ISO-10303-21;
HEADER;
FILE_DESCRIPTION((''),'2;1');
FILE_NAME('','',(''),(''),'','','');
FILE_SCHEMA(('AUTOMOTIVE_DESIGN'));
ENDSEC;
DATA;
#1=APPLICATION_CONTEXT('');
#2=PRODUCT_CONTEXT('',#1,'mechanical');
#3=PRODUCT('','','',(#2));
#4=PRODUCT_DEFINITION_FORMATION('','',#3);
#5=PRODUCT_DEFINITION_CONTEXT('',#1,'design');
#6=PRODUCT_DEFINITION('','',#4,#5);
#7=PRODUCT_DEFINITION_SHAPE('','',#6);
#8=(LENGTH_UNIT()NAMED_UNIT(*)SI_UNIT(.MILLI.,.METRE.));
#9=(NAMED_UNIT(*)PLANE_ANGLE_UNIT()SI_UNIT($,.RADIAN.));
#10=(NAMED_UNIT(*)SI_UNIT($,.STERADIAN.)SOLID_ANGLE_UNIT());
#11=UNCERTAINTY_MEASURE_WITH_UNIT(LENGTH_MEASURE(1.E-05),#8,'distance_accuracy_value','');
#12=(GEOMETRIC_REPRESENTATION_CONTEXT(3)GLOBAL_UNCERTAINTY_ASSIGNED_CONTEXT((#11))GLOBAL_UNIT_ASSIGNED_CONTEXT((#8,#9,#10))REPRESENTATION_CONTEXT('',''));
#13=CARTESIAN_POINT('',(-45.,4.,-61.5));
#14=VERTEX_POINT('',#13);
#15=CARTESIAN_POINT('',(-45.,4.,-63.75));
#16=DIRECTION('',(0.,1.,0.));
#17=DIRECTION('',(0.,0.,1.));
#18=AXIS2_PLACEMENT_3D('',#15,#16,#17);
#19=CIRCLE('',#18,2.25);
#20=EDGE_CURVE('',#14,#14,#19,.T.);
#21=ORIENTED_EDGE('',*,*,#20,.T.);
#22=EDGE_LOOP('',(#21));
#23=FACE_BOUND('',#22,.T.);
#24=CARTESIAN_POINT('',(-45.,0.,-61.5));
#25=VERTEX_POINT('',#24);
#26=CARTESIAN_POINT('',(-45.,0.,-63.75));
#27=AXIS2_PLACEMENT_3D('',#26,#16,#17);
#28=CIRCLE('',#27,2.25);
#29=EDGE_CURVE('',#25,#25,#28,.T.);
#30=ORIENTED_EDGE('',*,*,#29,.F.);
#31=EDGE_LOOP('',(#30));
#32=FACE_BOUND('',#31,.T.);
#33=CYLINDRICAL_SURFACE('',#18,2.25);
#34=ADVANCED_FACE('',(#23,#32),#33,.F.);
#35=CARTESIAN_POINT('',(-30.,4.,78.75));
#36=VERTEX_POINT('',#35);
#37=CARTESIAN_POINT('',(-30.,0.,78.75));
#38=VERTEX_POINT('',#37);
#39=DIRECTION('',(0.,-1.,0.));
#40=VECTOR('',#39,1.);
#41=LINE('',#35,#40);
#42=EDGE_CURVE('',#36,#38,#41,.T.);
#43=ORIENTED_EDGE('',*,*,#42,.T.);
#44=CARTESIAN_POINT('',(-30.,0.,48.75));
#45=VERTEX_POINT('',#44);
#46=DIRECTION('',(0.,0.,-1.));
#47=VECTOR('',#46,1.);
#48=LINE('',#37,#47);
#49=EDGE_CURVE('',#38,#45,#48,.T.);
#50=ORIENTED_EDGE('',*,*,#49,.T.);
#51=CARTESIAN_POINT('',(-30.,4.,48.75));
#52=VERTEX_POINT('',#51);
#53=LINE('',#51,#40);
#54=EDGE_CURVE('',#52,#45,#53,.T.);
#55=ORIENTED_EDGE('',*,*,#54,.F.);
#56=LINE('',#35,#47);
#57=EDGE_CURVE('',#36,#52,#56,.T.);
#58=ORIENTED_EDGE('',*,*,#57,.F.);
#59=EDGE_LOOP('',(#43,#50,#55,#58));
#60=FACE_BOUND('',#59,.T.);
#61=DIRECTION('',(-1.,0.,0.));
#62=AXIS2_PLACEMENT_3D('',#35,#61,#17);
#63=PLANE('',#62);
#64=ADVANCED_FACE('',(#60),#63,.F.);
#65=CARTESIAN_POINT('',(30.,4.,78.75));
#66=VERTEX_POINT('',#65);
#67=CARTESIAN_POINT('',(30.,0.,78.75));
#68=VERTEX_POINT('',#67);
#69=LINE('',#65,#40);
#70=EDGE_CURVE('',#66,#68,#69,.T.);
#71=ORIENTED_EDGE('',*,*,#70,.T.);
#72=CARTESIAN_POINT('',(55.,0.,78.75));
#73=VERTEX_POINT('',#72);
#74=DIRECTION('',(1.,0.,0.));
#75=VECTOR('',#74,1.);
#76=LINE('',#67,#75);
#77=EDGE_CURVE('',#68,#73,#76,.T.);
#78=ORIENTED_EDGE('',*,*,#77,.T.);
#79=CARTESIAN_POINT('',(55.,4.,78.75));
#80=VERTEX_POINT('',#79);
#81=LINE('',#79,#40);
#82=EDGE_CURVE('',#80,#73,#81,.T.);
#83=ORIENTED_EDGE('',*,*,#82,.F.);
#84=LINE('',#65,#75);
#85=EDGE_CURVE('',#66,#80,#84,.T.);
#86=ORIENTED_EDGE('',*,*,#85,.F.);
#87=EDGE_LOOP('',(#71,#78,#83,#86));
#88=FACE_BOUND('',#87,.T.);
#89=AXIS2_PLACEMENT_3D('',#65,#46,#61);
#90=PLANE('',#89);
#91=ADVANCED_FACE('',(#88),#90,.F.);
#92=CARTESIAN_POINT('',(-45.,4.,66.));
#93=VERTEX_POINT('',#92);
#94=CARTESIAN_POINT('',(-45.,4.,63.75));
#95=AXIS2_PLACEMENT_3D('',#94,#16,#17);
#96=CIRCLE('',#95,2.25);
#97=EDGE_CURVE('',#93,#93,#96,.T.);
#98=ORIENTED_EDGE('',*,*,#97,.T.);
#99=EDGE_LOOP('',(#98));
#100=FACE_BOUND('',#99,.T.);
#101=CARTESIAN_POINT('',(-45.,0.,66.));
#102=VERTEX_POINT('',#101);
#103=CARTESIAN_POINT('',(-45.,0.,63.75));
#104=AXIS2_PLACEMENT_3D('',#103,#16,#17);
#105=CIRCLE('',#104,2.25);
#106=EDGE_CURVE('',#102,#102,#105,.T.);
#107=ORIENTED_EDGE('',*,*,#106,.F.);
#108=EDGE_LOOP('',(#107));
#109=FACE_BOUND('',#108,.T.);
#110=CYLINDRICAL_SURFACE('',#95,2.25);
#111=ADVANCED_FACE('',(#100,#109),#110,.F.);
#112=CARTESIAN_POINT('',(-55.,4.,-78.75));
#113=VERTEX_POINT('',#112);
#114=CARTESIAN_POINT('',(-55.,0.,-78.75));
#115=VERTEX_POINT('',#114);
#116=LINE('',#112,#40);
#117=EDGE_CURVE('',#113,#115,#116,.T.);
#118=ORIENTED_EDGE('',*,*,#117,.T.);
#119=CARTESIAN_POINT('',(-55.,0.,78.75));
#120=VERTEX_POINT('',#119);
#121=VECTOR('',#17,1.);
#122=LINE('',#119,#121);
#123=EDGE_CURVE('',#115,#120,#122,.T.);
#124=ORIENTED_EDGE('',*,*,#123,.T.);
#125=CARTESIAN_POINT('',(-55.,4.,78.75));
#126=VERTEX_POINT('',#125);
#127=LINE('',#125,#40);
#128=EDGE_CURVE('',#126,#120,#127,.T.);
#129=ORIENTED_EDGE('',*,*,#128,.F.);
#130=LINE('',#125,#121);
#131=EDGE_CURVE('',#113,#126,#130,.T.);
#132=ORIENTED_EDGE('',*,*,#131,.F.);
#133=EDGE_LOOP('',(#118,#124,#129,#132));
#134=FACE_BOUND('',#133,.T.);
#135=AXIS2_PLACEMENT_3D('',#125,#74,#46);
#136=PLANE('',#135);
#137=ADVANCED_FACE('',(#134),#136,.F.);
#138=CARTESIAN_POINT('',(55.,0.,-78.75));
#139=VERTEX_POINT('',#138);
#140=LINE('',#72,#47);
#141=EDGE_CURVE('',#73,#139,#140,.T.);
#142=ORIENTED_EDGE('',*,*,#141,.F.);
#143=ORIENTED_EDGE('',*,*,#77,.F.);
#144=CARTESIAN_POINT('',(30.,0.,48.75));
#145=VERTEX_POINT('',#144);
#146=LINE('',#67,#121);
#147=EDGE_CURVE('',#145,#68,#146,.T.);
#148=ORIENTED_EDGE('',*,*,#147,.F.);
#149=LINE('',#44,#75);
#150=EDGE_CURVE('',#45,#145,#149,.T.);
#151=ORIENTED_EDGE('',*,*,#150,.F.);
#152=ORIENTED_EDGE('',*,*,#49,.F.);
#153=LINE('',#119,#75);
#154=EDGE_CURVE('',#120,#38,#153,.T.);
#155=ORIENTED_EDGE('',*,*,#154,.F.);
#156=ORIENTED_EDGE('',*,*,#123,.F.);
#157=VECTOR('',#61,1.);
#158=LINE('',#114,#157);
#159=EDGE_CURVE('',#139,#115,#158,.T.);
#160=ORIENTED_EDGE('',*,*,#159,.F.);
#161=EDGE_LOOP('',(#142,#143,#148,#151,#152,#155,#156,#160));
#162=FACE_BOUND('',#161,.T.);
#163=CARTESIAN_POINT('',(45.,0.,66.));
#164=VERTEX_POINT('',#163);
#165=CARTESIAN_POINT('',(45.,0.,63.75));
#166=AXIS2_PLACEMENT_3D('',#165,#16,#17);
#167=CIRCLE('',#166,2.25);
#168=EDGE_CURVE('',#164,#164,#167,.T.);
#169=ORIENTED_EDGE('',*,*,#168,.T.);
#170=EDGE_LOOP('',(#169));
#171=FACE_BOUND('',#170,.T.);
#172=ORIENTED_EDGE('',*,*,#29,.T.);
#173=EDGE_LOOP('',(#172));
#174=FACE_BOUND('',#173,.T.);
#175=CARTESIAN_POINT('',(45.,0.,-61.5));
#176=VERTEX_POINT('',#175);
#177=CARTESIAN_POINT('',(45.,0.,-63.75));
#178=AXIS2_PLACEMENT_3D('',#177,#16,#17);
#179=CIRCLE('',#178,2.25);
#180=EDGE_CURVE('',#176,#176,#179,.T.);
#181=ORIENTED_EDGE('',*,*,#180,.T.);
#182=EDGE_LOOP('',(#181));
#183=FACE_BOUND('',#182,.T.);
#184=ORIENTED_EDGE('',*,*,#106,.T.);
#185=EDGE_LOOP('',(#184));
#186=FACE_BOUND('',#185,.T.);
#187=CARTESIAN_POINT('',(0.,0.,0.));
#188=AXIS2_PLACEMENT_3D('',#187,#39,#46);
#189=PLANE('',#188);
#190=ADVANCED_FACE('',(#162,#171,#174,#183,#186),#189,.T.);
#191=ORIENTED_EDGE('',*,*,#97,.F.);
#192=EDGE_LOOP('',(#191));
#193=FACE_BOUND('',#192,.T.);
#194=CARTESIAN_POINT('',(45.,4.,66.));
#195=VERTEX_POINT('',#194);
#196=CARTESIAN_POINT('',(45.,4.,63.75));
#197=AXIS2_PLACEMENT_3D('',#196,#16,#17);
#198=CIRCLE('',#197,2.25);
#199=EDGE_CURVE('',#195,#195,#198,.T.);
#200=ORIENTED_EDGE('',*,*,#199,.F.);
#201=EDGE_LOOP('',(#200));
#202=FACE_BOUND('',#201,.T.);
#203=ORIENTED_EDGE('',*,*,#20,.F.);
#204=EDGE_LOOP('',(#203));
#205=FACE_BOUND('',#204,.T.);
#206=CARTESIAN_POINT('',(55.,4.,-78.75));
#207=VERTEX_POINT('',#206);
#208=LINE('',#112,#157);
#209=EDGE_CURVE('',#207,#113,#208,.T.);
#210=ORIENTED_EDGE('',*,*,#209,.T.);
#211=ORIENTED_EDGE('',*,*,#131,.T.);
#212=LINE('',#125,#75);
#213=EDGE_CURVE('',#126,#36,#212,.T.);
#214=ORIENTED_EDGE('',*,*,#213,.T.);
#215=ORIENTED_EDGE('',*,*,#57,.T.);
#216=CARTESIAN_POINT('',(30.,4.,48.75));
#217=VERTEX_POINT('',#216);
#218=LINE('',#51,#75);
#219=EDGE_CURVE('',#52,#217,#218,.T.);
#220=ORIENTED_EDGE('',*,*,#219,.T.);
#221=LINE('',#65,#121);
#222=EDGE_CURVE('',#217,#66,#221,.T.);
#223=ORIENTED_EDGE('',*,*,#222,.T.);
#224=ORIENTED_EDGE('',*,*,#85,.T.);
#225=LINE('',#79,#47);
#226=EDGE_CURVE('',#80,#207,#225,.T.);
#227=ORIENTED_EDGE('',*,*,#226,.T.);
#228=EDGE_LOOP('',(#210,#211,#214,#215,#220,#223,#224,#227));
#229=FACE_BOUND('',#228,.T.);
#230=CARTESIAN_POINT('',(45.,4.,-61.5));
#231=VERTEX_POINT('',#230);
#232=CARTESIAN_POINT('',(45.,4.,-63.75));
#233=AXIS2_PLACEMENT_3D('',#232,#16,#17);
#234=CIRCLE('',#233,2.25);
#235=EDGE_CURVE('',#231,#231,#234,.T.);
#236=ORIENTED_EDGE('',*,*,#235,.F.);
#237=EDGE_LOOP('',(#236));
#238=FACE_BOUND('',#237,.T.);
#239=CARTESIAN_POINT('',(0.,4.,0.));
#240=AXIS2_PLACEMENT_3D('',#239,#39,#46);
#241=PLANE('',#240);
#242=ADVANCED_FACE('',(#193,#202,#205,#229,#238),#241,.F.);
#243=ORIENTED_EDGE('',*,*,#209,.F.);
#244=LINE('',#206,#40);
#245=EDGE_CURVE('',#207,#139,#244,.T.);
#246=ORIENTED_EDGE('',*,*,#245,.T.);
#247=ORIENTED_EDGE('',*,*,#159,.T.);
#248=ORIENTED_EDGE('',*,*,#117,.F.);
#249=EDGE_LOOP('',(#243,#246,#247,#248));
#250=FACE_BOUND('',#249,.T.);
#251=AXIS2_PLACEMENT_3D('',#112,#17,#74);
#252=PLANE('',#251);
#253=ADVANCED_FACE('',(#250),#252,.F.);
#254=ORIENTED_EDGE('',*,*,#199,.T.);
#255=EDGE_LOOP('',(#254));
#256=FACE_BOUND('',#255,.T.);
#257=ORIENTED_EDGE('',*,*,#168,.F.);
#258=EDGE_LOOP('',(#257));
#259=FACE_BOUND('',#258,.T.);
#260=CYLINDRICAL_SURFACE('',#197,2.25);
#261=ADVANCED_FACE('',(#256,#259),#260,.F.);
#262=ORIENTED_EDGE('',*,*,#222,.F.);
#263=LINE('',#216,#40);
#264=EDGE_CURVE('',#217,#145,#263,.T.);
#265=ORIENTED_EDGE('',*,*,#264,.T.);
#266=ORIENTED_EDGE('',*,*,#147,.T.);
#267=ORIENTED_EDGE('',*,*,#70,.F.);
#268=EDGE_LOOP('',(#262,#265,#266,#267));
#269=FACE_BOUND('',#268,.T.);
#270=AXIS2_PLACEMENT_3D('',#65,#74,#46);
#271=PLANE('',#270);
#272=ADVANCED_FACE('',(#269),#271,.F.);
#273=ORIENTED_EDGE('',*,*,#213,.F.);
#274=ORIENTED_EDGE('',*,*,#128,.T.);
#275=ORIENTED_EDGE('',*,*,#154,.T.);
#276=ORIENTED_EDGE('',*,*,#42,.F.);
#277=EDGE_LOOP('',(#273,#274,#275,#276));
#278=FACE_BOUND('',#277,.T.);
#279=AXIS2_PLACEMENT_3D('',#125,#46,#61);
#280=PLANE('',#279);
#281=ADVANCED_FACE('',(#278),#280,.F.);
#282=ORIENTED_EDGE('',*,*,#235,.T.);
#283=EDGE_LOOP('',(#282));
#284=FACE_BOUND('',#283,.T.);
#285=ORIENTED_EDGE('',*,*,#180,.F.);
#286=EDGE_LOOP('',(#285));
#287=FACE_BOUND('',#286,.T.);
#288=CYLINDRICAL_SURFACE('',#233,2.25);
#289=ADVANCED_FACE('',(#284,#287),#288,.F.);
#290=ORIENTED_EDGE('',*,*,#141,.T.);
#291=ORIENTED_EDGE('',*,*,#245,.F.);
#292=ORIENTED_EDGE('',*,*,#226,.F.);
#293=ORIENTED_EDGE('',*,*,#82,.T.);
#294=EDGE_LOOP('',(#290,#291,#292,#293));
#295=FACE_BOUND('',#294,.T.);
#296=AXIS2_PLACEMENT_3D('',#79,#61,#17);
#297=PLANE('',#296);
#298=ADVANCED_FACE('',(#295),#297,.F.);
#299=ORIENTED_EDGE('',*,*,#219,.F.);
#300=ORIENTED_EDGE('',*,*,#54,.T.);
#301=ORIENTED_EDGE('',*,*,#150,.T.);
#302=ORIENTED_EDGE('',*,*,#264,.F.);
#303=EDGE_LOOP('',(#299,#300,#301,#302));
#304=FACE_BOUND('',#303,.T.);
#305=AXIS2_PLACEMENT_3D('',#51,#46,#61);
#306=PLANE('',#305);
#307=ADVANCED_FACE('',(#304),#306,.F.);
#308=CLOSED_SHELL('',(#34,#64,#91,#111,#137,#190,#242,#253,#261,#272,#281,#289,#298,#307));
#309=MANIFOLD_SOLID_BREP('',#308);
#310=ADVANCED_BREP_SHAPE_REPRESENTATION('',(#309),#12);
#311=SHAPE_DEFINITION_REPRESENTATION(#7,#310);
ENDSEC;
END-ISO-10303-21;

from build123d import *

# Parameters (mm, degrees)
RESSALTO_EXTRUS_O1_DEPTH = 4
FURO_COM_FOLGA_DE_M41_D  = 4.5


with BuildPart() as part:
    # Esboço1 → Ressalto-extrusão1 (new body)
    with BuildSketch(Plane(origin=(0, 0, 0), x_dir=(1, 0, 0), z_dir=(0, 1, 0))):
        Polygon((30, -78.75), (55, -78.75), (55, 78.75), (-55, 78.75), (-55, -78.75), (-30, -78.75), (-30, -48.75), (30, -48.75), align=None)
    extrude(amount=RESSALTO_EXTRUS_O1_DEPTH)

    # Furo com folga de M41 (through all)
    with Locations(Plane(origin=(0, 4, 0), x_dir=(1, 0, 0), z_dir=(0, 1, 0))):
        with Locations((-45, 63.75), (45, 63.75), (45, -63.75), (-45, -63.75)):
            Hole(FURO_COM_FOLGA_DE_M41_D / 2)


solid = part.part
